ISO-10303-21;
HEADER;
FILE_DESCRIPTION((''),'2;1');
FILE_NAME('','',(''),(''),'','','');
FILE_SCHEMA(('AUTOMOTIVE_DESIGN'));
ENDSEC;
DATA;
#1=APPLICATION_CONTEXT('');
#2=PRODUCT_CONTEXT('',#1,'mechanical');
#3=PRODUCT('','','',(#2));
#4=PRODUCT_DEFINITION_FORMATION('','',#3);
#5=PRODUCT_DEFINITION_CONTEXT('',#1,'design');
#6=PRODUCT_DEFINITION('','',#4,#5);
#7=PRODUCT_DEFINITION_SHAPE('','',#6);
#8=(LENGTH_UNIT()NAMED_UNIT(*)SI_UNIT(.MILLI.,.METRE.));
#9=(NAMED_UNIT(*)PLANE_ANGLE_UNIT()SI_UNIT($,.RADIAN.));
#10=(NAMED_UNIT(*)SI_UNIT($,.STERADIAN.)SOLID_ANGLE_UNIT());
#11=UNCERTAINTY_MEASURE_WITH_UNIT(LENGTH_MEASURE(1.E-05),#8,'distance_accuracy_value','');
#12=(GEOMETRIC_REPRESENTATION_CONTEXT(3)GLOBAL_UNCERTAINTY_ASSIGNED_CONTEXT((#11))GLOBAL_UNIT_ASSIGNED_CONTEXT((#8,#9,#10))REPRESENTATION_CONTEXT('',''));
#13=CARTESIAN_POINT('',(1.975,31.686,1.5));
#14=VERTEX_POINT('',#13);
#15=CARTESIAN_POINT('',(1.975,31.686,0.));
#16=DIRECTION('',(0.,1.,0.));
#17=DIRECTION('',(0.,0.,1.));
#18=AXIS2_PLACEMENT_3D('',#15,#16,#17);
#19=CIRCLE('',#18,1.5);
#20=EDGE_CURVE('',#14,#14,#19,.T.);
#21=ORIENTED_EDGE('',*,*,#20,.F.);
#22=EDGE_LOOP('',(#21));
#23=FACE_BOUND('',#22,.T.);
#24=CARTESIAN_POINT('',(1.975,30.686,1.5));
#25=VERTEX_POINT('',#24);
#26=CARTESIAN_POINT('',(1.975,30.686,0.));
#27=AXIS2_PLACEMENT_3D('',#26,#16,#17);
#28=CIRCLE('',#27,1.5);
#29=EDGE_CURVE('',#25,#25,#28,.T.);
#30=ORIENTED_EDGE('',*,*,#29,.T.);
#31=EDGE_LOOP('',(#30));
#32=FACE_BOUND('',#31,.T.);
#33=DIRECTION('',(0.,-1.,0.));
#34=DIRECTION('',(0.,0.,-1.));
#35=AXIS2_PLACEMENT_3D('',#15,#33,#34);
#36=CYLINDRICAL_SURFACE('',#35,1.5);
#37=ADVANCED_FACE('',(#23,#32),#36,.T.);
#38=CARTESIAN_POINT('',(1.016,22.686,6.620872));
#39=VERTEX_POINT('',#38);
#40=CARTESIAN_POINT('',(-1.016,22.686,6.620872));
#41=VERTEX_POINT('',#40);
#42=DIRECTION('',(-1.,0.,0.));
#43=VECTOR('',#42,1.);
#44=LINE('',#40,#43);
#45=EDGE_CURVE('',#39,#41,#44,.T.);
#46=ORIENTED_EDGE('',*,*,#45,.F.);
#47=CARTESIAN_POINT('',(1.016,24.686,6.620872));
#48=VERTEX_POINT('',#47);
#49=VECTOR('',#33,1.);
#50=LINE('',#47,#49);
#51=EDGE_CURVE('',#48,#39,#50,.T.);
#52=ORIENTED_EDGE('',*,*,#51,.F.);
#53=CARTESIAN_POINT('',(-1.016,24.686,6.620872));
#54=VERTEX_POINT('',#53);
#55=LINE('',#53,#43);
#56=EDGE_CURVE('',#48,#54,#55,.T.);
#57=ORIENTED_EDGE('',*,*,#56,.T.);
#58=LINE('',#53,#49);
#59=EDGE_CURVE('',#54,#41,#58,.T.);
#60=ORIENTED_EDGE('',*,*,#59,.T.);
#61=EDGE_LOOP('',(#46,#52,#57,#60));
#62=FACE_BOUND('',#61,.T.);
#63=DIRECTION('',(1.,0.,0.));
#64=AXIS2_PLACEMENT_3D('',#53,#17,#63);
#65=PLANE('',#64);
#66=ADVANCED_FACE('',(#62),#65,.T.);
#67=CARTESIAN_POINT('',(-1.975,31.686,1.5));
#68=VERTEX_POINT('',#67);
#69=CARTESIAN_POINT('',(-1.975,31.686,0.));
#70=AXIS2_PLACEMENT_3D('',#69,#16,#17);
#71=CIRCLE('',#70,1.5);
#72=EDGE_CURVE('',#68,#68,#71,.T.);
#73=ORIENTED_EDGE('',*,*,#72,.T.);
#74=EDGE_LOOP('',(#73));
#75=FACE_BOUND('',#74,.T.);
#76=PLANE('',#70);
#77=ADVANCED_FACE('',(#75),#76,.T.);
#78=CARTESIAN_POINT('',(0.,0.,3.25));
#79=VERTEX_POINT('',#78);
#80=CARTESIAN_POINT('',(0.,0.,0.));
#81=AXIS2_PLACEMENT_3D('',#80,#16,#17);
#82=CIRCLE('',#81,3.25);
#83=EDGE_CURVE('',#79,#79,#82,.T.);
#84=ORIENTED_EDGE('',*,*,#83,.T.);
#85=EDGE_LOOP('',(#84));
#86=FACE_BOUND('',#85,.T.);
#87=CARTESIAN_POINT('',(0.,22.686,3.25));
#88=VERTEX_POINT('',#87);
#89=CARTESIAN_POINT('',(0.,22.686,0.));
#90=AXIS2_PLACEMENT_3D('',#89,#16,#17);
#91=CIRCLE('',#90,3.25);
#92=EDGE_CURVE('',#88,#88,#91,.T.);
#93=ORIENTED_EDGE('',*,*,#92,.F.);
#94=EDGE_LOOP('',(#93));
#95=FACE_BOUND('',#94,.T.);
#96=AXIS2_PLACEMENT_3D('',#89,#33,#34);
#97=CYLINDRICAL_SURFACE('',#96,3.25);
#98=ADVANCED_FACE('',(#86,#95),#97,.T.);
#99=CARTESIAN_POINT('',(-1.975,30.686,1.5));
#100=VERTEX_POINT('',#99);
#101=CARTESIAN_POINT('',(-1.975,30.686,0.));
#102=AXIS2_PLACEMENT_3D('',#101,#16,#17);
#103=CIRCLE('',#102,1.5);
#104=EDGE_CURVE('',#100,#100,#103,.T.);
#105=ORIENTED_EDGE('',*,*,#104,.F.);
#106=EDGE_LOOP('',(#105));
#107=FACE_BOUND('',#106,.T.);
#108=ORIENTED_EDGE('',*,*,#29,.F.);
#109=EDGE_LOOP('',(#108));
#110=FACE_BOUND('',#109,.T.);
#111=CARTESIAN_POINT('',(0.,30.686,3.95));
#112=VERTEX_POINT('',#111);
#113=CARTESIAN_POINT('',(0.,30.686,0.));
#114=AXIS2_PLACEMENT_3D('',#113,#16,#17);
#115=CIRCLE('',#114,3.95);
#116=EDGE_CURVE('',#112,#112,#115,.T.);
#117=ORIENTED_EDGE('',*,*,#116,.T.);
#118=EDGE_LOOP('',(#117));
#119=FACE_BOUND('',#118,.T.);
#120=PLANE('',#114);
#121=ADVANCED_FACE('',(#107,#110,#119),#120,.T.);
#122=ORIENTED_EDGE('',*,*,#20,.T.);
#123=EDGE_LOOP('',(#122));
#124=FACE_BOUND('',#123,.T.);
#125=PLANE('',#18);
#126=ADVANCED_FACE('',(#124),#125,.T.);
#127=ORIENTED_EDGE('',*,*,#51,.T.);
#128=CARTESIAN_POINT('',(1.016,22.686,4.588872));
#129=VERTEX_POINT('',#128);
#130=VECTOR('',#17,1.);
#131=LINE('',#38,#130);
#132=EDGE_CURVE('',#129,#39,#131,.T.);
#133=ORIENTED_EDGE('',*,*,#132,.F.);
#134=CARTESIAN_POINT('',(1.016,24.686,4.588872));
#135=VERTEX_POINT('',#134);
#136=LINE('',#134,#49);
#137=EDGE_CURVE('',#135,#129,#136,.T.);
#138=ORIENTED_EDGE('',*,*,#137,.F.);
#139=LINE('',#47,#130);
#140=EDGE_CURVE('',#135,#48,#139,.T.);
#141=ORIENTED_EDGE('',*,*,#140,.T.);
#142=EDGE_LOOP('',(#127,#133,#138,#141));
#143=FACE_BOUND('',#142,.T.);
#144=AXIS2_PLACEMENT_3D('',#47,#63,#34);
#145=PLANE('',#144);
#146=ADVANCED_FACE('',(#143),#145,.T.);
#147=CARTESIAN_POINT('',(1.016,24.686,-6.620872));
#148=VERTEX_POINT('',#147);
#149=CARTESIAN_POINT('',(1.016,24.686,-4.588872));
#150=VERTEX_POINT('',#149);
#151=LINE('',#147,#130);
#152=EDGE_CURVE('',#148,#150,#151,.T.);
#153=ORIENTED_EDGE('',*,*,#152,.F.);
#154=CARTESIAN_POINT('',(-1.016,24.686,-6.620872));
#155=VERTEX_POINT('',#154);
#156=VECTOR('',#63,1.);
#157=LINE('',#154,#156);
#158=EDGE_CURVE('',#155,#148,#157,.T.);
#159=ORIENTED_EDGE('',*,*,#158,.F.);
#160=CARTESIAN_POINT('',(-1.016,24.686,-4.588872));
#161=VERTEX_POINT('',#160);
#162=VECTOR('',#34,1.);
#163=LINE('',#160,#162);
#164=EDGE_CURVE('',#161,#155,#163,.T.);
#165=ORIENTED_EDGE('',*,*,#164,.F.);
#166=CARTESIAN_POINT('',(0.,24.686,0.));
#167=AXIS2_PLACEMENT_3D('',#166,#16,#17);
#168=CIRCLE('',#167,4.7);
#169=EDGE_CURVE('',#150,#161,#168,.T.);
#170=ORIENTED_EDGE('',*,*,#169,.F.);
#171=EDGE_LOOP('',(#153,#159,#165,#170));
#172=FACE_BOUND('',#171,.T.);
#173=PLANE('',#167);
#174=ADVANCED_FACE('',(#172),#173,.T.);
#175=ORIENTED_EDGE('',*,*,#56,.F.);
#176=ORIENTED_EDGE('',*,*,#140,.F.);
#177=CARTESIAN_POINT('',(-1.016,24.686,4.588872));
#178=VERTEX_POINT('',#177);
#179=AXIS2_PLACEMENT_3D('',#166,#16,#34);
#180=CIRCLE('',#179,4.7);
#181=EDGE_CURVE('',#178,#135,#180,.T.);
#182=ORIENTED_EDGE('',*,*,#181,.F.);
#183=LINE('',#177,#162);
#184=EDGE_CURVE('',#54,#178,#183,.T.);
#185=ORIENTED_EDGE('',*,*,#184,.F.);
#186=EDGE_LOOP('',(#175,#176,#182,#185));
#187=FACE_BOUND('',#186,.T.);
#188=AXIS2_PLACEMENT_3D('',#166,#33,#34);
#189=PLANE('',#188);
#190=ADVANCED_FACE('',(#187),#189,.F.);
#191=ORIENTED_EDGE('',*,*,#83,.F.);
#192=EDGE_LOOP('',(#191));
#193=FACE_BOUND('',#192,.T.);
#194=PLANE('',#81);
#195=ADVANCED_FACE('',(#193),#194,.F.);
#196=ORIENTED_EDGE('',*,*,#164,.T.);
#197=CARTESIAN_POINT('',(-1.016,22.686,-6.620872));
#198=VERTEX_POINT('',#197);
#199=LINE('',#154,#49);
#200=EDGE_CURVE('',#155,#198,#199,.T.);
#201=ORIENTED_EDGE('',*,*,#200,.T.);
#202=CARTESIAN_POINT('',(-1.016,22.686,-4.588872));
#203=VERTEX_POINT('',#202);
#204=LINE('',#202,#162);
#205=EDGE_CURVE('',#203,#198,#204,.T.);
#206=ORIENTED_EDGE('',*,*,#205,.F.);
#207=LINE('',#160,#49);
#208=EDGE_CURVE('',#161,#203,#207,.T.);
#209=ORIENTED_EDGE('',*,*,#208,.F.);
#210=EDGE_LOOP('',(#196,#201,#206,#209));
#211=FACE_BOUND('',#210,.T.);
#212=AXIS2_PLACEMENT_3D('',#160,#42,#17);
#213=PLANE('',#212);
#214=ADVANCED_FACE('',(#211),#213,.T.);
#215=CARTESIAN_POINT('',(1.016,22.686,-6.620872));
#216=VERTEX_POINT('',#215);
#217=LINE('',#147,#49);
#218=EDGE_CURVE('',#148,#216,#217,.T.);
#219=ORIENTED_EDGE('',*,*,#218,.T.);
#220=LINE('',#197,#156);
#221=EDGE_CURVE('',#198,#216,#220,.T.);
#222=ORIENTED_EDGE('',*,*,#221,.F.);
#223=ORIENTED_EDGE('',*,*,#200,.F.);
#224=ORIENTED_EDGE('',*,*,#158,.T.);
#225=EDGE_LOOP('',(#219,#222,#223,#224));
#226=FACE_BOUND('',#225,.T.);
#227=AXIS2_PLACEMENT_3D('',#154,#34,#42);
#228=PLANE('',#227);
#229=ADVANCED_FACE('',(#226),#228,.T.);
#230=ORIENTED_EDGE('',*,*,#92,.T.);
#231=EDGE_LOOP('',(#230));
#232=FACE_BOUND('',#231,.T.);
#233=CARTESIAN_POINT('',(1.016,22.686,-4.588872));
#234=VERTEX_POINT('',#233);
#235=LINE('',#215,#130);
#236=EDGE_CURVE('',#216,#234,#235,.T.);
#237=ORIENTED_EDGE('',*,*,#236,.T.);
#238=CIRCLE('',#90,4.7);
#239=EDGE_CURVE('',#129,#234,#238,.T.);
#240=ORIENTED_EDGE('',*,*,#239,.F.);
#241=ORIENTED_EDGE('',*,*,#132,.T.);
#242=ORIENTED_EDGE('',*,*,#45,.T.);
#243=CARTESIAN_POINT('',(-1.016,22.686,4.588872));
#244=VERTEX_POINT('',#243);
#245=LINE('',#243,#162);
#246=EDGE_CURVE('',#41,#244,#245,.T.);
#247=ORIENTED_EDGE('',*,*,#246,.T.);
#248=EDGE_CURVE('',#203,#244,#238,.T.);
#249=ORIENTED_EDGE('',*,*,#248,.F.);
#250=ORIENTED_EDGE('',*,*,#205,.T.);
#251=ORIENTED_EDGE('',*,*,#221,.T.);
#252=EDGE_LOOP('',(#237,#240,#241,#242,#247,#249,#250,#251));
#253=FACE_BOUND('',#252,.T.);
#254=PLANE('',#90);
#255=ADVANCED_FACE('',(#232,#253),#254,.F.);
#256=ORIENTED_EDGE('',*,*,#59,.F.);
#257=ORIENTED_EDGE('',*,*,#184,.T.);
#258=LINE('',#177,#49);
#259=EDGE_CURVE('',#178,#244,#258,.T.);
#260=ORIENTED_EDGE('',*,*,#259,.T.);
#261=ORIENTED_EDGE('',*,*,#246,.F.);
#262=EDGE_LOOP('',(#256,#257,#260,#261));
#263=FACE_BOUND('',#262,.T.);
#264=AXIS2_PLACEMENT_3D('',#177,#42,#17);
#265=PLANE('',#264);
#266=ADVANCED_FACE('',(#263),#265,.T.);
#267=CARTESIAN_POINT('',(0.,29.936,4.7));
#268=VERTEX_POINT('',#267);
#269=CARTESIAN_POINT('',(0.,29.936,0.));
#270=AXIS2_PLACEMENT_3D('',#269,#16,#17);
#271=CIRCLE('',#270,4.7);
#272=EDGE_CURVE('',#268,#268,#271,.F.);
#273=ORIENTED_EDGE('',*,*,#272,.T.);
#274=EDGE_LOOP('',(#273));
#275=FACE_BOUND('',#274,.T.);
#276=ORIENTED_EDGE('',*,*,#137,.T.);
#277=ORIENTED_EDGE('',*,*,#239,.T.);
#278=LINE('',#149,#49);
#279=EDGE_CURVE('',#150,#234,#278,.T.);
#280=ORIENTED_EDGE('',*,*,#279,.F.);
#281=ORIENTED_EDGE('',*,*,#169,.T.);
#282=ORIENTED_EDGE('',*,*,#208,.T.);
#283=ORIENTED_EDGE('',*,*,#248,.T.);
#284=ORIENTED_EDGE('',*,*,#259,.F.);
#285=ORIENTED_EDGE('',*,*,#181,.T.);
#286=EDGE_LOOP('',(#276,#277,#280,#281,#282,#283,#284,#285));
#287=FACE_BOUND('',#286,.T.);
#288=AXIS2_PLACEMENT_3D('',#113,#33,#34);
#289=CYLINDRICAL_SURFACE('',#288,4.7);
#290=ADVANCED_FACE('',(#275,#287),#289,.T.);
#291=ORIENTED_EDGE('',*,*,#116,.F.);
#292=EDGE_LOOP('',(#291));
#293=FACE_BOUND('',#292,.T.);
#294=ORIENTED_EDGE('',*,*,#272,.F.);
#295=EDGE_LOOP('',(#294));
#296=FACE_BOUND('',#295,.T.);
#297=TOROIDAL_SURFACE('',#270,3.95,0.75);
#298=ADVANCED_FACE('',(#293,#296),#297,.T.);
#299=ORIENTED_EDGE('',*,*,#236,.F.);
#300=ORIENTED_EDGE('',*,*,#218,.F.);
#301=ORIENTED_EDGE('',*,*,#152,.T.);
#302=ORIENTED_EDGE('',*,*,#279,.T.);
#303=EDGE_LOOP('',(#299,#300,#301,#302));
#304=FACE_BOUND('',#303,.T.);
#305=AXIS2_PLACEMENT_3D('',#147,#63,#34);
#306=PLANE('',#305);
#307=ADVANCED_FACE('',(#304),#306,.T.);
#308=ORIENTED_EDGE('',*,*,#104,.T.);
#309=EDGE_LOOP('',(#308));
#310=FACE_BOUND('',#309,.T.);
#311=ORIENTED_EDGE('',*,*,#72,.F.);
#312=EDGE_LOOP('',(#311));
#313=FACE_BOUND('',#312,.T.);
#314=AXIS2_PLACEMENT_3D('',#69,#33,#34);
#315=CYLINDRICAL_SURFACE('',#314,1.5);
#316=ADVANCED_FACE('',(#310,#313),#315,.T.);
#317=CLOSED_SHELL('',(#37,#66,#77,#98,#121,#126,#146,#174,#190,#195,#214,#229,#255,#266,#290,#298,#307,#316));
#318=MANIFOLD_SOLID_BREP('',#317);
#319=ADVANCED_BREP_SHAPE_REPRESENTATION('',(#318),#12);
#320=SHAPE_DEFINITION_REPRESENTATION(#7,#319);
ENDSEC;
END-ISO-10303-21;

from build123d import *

# Parameters (mm, degrees)
SKETCH1_R           = 3.25
BOSS_EXTRUDE1_DEPTH = 22.686
SKETCH6_R           = 4.7
BOSS_EXTRUDE2_DEPTH = 8
FILLET2_R           = 0.75
SKETCH7_R           = 1.5
BOSS_EXTRUDE3_DEPTH = 1
BOSS_EXTRUDE4_DEPTH = 2


with BuildPart() as part:
    # Sketch1 → Boss-Extrude1 (new body)
    with BuildSketch(Plane(origin=(0, 0, 0), x_dir=(1, 0, 0), z_dir=(0, 1, 0))):
        Circle(SKETCH1_R)
    extrude(amount=BOSS_EXTRUDE1_DEPTH)

    # Sketch6 → Boss-Extrude2 (add)
    with BuildSketch(Plane(origin=(0, 22.686, 0), x_dir=(1, 0, 0), z_dir=(0, 1, 0))):
        Circle(SKETCH6_R)
    extrude(amount=BOSS_EXTRUDE2_DEPTH)

    # Fillet2
    fillet2_edges = [part.edges().sort_by_distance(p)[0] for p in [
        (-4.7, 30.686, 0),
    ]]
    fillet(fillet2_edges, radius=FILLET2_R)

    # Sketch7 → Boss-Extrude3 (add)
    with BuildSketch(Plane(origin=(0, 30.686, 0), x_dir=(1, 0, 0), z_dir=(0, 1, 0))):
        with Locations((-1.975, 0)):
            Circle(SKETCH7_R)
        with Locations((1.975, 0)):
            Circle(SKETCH7_R)
    extrude(amount=BOSS_EXTRUDE3_DEPTH)

    # Sketch8 → Boss-Extrude4 (add)
    with BuildSketch(Plane.XZ.offset(-22.686)):
        with BuildLine():
            Line((-1.016, 4.588871757), (-1.016, 6.620871757))
            Line((-1.016, 6.620871757), (1.016, 6.620871757))
            Line((1.016, 6.620871757), (1.016, 4.588871757))
            ThreePointArc((1.016, 4.588871757), (0, 4.7), (-1.016, 4.588871757))
        make_face()
        with BuildLine():
            Line((1.016, -6.620871757), (1.016, -4.588871757))
            ThreePointArc((1.016, -4.588871757), (0, -4.7), (-1.016, -4.588871757))
            Line((-1.016, -4.588871757), (-1.016, -6.620871757))
            Line((-1.016, -6.620871757), (1.016, -6.620871757))
        make_face()
    extrude(amount=-BOSS_EXTRUDE4_DEPTH)


solid = part.part
